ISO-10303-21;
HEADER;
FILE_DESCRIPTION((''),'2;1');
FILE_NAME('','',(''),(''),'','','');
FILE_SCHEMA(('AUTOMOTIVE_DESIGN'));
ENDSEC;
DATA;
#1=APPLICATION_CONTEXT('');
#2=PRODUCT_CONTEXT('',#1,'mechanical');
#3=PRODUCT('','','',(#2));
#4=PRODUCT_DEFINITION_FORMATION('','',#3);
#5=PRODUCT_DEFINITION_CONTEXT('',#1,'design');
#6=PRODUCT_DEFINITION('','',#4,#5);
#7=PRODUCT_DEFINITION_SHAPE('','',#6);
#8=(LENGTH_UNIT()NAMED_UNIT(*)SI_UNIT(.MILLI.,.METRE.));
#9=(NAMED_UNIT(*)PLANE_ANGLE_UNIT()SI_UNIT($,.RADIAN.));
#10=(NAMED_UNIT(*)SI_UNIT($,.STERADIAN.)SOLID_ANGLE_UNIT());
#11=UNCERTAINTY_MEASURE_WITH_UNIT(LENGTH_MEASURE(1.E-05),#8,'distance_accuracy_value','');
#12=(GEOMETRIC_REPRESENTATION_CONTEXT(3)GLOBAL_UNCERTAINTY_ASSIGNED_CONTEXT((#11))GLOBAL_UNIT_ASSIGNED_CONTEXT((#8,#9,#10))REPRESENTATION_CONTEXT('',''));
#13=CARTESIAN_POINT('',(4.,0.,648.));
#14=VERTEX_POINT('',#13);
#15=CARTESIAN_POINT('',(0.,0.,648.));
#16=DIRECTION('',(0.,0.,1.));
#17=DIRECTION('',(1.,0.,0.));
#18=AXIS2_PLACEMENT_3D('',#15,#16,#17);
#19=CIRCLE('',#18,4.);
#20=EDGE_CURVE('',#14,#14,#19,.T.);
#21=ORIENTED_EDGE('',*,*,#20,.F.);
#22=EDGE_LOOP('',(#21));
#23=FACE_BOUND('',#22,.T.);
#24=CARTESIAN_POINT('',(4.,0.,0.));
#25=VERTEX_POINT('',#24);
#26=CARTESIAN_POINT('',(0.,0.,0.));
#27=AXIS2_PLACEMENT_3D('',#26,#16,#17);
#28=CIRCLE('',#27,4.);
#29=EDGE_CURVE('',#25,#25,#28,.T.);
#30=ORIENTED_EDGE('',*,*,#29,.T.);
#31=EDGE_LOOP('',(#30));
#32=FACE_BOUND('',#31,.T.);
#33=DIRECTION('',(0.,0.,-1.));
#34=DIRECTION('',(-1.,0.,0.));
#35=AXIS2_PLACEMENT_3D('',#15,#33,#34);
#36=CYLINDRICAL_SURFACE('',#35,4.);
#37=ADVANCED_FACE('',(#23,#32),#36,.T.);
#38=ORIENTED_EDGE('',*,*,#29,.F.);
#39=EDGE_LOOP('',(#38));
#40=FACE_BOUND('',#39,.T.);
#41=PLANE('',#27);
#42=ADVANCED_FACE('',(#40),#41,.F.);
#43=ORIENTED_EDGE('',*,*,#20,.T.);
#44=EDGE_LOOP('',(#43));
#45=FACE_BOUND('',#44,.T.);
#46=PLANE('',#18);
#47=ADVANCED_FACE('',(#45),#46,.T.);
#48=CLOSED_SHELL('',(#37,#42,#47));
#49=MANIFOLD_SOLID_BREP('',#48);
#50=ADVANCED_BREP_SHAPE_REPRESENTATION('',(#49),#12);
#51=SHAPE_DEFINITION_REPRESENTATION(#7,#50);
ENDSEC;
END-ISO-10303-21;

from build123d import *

# Parameters (mm, degrees)
ESQUISSE1_R        = 4
BOSS_EXTRU_1_DEPTH = 648


with BuildPart() as part:
    # Esquisse1 → Boss.-Extru.1 (new body)
    with BuildSketch(Plane.XY):
        Circle(ESQUISSE1_R)
    extrude(amount=BOSS_EXTRU_1_DEPTH)


solid = part.part
